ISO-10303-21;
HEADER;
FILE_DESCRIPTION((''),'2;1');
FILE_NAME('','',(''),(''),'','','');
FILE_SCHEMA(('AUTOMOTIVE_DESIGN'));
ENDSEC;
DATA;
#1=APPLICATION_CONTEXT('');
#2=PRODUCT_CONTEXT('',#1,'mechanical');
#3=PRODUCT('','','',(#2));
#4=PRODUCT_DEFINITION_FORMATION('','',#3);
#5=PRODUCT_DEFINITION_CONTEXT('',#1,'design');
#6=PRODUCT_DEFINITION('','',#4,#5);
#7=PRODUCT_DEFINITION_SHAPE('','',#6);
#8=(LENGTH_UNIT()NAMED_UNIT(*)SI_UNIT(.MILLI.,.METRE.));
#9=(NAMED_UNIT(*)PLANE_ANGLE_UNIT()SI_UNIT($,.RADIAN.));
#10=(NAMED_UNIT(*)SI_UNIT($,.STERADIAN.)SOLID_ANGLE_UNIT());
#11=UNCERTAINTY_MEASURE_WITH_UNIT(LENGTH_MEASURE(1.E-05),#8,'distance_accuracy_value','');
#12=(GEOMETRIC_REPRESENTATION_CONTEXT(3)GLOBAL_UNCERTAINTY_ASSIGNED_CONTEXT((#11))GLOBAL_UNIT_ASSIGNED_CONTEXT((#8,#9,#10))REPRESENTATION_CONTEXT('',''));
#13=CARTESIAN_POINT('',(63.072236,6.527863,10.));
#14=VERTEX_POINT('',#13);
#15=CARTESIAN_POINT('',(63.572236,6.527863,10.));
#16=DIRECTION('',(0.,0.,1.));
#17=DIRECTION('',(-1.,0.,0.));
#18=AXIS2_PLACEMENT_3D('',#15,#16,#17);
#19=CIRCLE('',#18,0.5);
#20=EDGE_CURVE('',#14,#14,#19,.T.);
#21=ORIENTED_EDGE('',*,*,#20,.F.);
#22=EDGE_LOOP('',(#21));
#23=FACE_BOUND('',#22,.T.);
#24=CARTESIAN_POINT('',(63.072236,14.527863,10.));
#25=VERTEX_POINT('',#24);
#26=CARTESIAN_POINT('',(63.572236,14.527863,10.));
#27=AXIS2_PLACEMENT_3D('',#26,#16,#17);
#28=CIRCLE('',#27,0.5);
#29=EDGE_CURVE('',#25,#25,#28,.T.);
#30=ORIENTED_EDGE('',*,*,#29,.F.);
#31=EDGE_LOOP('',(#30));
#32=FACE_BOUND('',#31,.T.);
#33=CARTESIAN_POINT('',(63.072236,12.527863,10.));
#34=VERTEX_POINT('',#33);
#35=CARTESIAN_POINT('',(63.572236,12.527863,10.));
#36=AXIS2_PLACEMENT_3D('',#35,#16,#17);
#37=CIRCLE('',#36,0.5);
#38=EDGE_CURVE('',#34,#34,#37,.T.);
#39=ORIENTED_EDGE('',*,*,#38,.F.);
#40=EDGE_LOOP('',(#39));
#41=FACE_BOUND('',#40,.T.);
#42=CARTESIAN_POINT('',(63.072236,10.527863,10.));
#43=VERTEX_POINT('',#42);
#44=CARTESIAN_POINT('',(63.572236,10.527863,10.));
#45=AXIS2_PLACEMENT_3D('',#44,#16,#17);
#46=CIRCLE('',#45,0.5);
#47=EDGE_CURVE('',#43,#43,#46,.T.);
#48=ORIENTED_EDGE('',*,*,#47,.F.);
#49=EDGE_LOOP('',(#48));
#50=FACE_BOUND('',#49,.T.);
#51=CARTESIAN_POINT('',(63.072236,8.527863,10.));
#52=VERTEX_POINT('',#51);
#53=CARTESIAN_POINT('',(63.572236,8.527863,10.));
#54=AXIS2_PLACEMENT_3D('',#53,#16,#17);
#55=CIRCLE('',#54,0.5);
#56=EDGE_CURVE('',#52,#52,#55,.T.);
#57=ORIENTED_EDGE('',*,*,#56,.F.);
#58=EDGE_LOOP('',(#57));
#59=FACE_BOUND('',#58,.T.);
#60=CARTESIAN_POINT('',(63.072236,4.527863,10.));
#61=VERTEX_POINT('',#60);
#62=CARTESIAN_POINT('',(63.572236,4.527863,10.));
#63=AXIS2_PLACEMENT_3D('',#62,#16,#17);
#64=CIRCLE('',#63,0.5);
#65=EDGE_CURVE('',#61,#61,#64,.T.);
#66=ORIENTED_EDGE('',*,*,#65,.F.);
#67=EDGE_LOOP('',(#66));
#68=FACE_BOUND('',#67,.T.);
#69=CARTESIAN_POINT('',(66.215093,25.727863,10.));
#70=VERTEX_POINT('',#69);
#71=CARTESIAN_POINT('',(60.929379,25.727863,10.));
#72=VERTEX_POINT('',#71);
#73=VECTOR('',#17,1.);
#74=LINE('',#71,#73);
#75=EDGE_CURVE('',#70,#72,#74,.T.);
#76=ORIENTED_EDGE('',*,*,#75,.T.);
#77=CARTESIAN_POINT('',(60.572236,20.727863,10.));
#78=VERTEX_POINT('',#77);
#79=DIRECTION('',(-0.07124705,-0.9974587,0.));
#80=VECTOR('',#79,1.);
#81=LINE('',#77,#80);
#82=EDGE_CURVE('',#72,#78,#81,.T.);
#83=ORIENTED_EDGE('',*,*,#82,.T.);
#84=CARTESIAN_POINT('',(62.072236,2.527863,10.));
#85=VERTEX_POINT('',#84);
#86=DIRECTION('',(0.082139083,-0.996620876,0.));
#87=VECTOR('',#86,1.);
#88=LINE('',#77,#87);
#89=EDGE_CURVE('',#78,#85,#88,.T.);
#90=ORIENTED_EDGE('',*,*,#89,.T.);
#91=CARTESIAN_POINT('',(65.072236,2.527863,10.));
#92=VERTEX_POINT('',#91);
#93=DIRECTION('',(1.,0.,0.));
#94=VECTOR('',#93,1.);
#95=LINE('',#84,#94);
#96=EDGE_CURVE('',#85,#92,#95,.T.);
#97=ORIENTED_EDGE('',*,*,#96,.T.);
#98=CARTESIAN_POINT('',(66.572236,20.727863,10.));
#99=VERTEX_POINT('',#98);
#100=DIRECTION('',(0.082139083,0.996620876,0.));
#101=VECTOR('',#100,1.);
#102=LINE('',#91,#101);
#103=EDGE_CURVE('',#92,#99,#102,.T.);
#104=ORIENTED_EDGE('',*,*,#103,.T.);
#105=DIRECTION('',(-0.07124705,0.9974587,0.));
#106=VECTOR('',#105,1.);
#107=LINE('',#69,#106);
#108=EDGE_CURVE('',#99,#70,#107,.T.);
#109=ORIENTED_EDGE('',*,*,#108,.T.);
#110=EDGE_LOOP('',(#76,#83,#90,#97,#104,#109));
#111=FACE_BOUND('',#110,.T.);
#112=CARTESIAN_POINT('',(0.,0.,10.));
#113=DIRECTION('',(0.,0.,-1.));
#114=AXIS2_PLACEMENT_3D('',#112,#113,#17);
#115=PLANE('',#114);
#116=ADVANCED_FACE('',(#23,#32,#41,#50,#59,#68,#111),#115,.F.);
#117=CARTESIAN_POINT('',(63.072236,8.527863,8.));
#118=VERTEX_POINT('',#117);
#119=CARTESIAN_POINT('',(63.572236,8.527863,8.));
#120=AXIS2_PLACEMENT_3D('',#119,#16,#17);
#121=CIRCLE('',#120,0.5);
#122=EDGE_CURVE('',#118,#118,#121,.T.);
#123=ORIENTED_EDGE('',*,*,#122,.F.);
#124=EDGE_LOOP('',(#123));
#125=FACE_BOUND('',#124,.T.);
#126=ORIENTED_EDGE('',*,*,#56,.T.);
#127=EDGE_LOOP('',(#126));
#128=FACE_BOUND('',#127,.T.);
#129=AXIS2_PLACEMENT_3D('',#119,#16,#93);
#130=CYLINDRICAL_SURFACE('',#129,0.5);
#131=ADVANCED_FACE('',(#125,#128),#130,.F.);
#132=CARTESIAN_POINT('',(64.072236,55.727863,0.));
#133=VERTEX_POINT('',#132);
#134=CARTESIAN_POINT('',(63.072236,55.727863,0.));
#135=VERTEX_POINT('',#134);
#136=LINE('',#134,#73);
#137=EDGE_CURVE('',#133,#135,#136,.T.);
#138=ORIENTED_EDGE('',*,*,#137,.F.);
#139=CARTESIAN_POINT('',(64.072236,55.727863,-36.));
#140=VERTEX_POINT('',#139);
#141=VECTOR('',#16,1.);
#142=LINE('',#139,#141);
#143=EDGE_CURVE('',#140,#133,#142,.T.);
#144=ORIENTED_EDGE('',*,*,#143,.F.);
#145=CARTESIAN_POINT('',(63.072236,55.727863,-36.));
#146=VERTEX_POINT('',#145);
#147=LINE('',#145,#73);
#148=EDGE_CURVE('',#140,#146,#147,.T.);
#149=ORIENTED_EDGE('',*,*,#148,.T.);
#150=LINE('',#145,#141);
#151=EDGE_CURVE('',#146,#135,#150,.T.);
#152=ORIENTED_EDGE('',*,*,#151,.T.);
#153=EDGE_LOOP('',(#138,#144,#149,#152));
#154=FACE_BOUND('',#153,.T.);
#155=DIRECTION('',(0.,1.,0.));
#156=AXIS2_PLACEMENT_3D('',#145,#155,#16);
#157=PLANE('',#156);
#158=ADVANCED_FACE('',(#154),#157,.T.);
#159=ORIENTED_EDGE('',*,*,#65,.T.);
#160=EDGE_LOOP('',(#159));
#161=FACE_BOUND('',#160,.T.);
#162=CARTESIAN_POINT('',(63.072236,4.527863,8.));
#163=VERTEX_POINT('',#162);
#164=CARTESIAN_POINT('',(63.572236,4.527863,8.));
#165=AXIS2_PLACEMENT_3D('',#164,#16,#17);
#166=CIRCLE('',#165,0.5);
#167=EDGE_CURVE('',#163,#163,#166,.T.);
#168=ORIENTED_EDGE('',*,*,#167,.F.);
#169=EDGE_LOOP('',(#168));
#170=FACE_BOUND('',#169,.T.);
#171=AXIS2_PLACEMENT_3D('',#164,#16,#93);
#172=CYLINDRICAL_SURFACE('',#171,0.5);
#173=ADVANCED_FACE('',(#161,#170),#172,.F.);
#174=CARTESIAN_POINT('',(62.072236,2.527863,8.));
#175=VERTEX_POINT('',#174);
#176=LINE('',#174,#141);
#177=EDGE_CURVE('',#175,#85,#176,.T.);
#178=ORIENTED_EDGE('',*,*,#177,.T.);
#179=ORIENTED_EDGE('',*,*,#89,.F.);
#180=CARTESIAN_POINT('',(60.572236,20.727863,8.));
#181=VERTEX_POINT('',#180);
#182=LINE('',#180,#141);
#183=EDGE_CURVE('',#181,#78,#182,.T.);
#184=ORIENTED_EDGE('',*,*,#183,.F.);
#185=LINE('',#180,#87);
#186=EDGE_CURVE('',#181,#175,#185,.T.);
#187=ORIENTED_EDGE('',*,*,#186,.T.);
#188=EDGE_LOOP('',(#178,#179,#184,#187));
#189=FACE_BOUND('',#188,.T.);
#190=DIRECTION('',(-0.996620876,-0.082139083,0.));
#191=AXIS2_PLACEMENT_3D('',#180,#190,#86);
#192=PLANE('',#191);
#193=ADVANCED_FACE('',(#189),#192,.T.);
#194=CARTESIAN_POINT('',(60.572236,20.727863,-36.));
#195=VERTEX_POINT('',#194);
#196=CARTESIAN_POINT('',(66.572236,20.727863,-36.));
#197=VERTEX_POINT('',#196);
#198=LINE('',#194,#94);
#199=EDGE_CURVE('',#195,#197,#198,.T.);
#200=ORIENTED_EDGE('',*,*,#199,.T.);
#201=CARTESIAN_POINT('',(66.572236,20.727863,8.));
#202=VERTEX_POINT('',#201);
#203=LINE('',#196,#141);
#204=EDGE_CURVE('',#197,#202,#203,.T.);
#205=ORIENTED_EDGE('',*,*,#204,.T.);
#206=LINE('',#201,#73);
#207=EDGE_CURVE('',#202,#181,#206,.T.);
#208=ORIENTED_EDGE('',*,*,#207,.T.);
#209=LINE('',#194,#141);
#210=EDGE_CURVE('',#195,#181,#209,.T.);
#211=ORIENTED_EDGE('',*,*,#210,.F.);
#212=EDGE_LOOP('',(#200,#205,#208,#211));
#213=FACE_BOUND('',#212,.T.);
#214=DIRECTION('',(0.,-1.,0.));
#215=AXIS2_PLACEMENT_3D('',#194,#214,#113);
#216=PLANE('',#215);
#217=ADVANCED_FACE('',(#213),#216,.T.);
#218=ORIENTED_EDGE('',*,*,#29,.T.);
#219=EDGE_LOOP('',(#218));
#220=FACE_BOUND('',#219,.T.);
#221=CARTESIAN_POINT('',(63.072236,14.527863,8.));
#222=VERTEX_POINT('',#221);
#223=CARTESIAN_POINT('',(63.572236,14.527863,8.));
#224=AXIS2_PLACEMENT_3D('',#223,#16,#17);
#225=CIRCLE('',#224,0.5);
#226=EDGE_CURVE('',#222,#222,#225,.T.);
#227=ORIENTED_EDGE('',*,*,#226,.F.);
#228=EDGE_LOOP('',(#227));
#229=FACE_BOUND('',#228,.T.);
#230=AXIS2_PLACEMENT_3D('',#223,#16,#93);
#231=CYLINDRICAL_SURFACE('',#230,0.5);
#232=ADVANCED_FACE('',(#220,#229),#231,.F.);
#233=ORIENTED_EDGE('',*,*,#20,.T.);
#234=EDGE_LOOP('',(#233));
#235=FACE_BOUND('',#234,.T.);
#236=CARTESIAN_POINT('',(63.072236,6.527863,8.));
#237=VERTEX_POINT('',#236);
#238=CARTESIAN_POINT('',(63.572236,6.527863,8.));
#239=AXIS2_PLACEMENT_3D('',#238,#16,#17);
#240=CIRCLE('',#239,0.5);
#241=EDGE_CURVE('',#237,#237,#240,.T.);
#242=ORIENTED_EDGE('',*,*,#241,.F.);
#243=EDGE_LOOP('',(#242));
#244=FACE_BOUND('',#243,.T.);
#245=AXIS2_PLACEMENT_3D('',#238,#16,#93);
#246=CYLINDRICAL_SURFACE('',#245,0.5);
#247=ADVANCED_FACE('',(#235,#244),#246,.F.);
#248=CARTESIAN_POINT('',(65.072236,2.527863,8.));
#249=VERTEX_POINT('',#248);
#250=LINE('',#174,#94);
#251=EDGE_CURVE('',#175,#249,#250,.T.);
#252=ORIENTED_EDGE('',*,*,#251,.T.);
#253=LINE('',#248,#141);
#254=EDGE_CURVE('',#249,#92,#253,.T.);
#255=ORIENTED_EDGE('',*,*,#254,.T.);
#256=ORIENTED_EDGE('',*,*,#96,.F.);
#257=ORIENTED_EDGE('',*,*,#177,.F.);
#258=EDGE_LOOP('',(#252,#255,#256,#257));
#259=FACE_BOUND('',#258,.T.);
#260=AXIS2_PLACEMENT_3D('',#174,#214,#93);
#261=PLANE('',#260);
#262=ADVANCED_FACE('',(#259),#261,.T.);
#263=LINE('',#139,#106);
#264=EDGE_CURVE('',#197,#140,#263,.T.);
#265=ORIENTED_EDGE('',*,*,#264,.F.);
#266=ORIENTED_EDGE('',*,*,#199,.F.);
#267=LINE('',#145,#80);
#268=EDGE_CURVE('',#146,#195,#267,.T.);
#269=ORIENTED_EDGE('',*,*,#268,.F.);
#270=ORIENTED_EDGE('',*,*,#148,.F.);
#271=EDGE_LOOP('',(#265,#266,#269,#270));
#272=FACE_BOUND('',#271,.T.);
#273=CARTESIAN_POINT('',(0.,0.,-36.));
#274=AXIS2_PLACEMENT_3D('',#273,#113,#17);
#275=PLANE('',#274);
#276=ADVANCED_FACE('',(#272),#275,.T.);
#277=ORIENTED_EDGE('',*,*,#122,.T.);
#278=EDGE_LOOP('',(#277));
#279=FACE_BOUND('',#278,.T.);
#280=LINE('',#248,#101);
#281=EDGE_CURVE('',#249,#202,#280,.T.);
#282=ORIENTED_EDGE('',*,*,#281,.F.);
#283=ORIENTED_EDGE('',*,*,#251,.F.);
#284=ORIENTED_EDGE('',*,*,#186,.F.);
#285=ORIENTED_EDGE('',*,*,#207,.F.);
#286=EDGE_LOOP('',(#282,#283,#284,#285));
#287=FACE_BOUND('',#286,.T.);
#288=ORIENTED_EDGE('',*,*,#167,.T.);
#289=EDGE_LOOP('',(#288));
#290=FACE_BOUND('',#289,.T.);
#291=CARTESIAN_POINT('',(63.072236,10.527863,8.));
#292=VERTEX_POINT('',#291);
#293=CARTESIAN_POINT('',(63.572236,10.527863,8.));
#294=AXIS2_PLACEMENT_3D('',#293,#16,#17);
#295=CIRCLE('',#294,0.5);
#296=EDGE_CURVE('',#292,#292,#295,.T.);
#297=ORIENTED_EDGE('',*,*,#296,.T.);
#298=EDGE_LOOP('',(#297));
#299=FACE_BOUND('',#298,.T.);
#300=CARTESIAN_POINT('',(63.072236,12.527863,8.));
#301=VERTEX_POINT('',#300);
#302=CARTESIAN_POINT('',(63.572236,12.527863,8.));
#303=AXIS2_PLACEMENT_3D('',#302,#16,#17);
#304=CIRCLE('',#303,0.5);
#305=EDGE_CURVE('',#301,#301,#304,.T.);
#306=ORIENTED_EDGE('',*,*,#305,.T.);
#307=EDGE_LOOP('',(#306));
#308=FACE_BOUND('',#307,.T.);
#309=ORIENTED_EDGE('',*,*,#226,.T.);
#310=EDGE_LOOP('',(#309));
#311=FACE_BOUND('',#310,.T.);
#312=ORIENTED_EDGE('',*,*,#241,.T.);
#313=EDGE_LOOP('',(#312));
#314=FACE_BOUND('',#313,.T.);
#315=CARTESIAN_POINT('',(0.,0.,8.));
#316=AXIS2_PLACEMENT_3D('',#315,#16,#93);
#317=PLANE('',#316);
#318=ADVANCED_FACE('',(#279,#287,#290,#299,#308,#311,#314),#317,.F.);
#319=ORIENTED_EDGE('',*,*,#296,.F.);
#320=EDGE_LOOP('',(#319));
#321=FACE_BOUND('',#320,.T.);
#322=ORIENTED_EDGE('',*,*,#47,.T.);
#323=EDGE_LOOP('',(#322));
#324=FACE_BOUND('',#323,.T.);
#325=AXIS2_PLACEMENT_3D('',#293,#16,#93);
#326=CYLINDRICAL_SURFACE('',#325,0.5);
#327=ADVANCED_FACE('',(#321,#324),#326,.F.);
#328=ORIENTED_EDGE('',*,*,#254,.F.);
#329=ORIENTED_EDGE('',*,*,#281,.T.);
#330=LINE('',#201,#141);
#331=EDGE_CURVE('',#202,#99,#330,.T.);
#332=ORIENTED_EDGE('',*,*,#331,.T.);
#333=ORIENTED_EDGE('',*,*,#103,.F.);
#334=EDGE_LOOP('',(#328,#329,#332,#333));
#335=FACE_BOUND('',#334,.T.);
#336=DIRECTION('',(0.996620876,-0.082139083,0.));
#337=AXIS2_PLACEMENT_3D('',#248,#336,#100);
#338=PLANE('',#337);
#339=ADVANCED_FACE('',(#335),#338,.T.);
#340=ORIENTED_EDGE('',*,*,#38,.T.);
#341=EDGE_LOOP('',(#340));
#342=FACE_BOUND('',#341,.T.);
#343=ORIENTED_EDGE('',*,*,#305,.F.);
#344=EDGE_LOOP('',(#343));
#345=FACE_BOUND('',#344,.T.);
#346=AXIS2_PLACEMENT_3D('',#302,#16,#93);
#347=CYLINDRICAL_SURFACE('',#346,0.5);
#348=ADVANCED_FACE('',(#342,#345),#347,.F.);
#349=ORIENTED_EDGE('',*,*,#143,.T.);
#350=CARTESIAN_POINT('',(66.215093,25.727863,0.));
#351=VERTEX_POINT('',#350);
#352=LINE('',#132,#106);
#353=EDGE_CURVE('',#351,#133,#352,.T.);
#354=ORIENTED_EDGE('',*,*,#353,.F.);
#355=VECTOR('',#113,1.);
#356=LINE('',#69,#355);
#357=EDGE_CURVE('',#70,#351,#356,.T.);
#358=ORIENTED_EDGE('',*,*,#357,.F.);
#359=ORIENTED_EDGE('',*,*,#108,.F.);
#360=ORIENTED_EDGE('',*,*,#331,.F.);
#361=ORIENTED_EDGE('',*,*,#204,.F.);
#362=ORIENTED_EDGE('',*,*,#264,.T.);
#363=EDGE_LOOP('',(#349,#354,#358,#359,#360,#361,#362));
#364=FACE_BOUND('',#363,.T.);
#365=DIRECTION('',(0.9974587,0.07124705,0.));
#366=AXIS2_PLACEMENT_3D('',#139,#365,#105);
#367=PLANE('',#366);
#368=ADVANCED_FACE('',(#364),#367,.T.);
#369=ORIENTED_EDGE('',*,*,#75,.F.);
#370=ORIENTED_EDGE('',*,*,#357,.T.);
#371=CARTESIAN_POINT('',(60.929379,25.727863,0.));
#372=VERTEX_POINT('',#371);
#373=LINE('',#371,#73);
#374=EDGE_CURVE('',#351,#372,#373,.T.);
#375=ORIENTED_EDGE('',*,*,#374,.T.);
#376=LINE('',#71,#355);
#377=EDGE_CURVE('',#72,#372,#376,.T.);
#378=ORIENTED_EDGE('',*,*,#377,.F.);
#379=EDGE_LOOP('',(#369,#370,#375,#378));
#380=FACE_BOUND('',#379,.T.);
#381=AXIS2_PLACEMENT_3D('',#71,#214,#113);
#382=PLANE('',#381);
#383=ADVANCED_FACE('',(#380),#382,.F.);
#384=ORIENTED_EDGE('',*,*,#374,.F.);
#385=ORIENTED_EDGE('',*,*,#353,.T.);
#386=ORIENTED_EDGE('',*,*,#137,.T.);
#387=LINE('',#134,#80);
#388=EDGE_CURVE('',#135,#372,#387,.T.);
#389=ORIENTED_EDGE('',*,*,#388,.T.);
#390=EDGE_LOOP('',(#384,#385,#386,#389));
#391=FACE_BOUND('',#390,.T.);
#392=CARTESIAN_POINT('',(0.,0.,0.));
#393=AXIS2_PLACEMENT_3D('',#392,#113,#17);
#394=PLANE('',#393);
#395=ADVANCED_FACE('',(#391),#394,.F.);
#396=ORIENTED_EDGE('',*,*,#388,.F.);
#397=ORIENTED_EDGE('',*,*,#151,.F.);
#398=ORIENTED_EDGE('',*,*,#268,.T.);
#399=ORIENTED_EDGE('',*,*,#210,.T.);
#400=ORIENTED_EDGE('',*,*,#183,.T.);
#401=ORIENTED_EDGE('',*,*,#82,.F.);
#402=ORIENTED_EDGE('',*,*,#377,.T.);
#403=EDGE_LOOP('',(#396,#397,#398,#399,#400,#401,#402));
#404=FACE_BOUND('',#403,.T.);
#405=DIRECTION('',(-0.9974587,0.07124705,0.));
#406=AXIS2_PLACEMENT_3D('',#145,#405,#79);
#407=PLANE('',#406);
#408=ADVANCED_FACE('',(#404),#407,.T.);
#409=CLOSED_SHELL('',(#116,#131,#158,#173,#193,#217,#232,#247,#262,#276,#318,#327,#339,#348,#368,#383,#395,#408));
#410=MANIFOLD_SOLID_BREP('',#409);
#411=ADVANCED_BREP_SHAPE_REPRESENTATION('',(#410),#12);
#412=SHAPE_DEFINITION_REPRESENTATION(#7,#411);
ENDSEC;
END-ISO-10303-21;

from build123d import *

# Parameters (mm, degrees)
BOSS_EXTRUDE1_DEPTH = 36
BOSS_EXTRUDE3_DEPTH = 10
SKETCH4_R           = 0.5
BOSS_EXTRUDE4_DEPTH = 2


with BuildPart() as part:
    # Sketch1 → Boss-Extrude1 (new body)
    with BuildSketch(Plane.XY):
        Polygon((63.072235962, 55.72786335), (64.072235962, 55.72786335), (66.572235962, 20.72786335), (60.572235962, 20.72786335), align=None)
    extrude(amount=-BOSS_EXTRUDE1_DEPTH)

    # Sketch3 → Boss-Extrude3 (add)
    with BuildSketch(Plane.XY):
        Polygon((60.572235962, 20.72786335), (60.929378819, 25.72786335), (66.215093105, 25.72786335), (66.572235962, 20.72786335), align=None)
    extrude(amount=BOSS_EXTRUDE3_DEPTH)

    # Sketch4 → Boss-Extrude4 (add)
    with BuildSketch(Plane.XY.offset(10)):
        Polygon((66.572235962, 20.72786335), (60.572235962, 20.72786335), (62.072235962, 2.52786335), (65.072235962, 2.52786335), align=None)
        with Locations(Location((63.572235962, 14.52786335, 0), (0, 0, 180))):
            Circle(SKETCH4_R, mode=Mode.SUBTRACT)
        with Locations(Location((63.572235962, 12.52786335, 0), (0, 0, 180))):
            Circle(SKETCH4_R, mode=Mode.SUBTRACT)
        with Locations(Location((63.572235962, 10.52786335, 0), (0, 0, 180))):
            Circle(SKETCH4_R, mode=Mode.SUBTRACT)
        with Locations(Location((63.572235962, 8.52786335, 0), (0, 0, 180))):
            Circle(SKETCH4_R, mode=Mode.SUBTRACT)
        with Locations(Location((63.572235962, 4.52786335, 0), (0, 0, 180))):
            Circle(SKETCH4_R, mode=Mode.SUBTRACT)
        with Locations(Location((63.572235962, 6.52786335, 0), (0, 0, 180))):
            Circle(SKETCH4_R, mode=Mode.SUBTRACT)
    extrude(amount=-BOSS_EXTRUDE4_DEPTH)


solid = part.part
